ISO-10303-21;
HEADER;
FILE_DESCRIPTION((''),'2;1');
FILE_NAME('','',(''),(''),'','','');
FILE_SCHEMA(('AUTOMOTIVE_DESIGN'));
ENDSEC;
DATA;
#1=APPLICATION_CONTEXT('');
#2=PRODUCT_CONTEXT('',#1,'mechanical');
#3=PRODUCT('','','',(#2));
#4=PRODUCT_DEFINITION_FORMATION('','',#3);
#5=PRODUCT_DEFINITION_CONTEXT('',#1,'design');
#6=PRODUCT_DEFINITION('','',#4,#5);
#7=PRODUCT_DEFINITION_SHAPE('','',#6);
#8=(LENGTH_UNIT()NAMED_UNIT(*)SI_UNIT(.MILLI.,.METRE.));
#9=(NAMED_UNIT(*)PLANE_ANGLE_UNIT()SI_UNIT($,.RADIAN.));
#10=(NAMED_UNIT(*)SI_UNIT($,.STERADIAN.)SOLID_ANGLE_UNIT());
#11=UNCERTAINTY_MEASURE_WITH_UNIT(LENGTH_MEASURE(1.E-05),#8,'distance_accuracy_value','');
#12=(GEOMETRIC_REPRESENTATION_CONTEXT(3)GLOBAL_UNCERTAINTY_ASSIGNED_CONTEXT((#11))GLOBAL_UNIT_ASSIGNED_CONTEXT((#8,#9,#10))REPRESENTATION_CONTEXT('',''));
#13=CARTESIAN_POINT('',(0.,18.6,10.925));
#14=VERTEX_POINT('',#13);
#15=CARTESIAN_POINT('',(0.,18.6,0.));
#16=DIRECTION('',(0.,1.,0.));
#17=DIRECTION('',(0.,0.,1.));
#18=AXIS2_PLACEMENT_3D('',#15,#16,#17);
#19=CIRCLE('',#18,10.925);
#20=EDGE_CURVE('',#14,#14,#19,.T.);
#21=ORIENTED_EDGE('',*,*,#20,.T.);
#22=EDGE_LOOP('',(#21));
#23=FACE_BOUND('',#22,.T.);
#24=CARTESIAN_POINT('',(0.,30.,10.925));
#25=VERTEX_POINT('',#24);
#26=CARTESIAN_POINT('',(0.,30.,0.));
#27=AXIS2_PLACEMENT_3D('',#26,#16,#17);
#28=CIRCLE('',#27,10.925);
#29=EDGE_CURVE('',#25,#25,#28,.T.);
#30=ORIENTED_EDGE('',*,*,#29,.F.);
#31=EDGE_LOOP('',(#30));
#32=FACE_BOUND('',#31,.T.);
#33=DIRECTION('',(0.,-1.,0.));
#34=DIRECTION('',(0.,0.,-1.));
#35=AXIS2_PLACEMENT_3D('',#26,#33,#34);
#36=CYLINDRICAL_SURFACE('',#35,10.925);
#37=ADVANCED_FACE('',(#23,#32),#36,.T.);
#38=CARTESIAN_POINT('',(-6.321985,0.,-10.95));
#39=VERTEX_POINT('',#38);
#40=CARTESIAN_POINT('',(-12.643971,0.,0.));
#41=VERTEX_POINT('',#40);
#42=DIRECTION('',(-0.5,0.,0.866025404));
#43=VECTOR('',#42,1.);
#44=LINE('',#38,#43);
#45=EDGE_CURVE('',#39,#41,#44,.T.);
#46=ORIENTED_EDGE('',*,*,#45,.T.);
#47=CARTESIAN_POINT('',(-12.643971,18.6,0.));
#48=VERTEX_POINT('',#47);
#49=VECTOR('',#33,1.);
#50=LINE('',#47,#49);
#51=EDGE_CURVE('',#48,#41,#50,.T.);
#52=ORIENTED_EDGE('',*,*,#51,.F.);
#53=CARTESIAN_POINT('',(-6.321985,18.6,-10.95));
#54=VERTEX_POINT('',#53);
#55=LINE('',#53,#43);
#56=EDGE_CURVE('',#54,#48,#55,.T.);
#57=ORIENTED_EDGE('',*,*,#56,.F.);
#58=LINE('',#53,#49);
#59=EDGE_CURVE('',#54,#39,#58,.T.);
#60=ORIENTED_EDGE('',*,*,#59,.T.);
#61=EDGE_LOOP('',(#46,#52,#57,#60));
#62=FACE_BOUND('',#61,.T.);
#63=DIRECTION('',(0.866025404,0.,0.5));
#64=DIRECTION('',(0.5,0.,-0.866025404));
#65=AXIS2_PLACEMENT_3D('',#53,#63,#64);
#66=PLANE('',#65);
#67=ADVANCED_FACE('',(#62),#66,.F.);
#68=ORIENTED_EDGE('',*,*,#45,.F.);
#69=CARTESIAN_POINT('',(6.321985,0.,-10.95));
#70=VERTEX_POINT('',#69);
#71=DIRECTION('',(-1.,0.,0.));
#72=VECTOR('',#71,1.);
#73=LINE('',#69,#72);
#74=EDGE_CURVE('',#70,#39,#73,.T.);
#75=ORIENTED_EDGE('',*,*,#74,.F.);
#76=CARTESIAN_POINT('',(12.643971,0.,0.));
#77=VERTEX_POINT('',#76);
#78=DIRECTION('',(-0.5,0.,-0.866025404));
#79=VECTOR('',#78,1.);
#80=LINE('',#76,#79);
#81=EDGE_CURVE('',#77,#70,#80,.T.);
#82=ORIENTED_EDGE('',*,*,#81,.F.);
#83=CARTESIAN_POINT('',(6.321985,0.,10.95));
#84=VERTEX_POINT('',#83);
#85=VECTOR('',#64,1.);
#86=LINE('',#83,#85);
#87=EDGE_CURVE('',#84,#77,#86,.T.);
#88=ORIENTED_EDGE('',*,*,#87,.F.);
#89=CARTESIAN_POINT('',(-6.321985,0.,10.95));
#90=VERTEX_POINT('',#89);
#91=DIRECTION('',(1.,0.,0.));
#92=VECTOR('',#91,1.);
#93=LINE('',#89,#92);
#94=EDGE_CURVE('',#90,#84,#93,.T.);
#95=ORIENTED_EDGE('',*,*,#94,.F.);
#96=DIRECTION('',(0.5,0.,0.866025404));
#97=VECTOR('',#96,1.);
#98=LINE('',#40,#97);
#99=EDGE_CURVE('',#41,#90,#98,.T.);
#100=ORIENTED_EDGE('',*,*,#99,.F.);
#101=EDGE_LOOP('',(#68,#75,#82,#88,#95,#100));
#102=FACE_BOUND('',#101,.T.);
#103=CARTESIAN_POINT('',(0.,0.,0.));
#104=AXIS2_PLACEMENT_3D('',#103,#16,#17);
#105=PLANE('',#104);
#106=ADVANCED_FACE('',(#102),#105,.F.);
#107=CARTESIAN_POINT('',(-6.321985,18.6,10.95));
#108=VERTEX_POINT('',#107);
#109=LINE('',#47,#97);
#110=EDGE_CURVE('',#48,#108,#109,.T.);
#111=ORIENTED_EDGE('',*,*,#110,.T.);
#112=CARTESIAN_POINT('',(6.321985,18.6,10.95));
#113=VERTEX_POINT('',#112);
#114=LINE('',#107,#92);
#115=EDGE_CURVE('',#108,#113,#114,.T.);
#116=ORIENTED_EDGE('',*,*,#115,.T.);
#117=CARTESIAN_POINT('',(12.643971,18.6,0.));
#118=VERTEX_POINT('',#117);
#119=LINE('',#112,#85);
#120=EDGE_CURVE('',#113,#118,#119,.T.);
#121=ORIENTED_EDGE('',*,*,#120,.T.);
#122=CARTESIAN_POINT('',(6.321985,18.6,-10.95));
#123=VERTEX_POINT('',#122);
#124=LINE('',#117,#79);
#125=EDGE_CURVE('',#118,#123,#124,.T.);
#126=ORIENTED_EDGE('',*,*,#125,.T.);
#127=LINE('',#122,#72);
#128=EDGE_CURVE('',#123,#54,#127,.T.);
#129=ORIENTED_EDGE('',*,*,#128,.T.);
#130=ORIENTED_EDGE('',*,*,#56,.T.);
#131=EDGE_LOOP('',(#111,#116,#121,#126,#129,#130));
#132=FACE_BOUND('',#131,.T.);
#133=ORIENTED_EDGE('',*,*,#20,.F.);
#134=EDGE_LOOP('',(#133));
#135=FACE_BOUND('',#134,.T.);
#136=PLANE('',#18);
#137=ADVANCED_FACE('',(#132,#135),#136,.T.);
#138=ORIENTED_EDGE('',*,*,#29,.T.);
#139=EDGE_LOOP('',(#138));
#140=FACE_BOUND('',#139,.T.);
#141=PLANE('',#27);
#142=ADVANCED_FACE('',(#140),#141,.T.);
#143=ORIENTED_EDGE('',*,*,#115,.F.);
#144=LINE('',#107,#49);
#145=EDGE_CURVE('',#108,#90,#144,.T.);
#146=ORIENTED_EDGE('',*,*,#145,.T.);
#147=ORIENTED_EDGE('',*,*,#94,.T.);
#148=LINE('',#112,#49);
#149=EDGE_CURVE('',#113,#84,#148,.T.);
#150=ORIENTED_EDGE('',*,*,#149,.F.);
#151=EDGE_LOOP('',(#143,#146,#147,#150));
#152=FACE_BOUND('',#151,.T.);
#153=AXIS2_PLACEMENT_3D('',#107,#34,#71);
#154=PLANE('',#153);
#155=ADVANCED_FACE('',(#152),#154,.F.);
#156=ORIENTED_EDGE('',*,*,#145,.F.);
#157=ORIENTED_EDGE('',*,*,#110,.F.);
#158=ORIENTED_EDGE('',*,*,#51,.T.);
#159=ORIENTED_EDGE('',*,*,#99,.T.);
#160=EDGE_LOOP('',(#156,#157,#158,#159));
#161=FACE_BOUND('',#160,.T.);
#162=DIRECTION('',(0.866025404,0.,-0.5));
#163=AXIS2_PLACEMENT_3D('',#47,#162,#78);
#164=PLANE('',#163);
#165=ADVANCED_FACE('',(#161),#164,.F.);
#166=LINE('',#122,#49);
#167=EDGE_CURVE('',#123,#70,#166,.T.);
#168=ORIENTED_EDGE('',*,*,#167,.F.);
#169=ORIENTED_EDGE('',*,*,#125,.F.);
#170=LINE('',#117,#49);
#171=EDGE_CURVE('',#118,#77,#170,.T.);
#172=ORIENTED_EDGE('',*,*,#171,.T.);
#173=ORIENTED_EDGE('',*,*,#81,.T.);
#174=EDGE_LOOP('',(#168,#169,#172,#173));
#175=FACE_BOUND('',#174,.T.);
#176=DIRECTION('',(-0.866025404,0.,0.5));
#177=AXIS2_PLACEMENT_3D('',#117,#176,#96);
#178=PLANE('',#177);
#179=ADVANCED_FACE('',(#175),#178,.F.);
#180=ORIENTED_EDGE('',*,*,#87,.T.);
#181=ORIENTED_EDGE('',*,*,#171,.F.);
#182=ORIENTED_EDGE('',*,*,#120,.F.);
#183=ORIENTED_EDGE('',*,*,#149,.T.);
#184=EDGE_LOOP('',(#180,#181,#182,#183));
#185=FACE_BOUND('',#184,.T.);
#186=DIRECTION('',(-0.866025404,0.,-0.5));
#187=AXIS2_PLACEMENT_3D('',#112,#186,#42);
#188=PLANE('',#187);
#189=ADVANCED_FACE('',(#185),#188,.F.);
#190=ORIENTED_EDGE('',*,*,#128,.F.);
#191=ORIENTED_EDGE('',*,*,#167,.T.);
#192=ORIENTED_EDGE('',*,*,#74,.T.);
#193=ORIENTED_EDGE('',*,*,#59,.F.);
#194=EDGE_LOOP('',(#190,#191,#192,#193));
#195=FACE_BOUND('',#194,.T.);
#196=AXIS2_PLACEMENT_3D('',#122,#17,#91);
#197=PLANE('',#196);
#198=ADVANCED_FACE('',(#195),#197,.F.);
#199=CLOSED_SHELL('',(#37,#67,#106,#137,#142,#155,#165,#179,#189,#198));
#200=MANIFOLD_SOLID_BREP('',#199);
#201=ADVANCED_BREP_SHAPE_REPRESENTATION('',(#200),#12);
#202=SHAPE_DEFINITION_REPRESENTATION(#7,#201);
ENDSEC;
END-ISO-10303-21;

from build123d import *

# Parameters (mm, degrees)
BOSS_EXTRUDE1_DEPTH = 18.6
SKETCH2_R           = 10.925
BOSS_EXTRUDE2_DEPTH = 11.4


with BuildPart() as part:
    # Sketch1 → Boss-Extrude1 (new body)
    with BuildSketch(Plane(origin=(0, 0, 0), x_dir=(1, 0, 0), z_dir=(0, 1, 0))):
        Polygon((12.643970895, 0), (6.321985448, 10.95), (-6.321985448, 10.95), (-12.643970895, 0), (-6.321985448, -10.95), (6.321985448, -10.95), align=None)
    extrude(amount=BOSS_EXTRUDE1_DEPTH)

    # Sketch2 → Boss-Extrude2 (add)
    with BuildSketch(Plane(origin=(0, 18.6, 0), x_dir=(1, 0, 0), z_dir=(0, 1, 0))):
        with Locations(Location((0, 0, 0), (0, 0, 270))):
            Circle(SKETCH2_R)
    extrude(amount=BOSS_EXTRUDE2_DEPTH)


solid = part.part
